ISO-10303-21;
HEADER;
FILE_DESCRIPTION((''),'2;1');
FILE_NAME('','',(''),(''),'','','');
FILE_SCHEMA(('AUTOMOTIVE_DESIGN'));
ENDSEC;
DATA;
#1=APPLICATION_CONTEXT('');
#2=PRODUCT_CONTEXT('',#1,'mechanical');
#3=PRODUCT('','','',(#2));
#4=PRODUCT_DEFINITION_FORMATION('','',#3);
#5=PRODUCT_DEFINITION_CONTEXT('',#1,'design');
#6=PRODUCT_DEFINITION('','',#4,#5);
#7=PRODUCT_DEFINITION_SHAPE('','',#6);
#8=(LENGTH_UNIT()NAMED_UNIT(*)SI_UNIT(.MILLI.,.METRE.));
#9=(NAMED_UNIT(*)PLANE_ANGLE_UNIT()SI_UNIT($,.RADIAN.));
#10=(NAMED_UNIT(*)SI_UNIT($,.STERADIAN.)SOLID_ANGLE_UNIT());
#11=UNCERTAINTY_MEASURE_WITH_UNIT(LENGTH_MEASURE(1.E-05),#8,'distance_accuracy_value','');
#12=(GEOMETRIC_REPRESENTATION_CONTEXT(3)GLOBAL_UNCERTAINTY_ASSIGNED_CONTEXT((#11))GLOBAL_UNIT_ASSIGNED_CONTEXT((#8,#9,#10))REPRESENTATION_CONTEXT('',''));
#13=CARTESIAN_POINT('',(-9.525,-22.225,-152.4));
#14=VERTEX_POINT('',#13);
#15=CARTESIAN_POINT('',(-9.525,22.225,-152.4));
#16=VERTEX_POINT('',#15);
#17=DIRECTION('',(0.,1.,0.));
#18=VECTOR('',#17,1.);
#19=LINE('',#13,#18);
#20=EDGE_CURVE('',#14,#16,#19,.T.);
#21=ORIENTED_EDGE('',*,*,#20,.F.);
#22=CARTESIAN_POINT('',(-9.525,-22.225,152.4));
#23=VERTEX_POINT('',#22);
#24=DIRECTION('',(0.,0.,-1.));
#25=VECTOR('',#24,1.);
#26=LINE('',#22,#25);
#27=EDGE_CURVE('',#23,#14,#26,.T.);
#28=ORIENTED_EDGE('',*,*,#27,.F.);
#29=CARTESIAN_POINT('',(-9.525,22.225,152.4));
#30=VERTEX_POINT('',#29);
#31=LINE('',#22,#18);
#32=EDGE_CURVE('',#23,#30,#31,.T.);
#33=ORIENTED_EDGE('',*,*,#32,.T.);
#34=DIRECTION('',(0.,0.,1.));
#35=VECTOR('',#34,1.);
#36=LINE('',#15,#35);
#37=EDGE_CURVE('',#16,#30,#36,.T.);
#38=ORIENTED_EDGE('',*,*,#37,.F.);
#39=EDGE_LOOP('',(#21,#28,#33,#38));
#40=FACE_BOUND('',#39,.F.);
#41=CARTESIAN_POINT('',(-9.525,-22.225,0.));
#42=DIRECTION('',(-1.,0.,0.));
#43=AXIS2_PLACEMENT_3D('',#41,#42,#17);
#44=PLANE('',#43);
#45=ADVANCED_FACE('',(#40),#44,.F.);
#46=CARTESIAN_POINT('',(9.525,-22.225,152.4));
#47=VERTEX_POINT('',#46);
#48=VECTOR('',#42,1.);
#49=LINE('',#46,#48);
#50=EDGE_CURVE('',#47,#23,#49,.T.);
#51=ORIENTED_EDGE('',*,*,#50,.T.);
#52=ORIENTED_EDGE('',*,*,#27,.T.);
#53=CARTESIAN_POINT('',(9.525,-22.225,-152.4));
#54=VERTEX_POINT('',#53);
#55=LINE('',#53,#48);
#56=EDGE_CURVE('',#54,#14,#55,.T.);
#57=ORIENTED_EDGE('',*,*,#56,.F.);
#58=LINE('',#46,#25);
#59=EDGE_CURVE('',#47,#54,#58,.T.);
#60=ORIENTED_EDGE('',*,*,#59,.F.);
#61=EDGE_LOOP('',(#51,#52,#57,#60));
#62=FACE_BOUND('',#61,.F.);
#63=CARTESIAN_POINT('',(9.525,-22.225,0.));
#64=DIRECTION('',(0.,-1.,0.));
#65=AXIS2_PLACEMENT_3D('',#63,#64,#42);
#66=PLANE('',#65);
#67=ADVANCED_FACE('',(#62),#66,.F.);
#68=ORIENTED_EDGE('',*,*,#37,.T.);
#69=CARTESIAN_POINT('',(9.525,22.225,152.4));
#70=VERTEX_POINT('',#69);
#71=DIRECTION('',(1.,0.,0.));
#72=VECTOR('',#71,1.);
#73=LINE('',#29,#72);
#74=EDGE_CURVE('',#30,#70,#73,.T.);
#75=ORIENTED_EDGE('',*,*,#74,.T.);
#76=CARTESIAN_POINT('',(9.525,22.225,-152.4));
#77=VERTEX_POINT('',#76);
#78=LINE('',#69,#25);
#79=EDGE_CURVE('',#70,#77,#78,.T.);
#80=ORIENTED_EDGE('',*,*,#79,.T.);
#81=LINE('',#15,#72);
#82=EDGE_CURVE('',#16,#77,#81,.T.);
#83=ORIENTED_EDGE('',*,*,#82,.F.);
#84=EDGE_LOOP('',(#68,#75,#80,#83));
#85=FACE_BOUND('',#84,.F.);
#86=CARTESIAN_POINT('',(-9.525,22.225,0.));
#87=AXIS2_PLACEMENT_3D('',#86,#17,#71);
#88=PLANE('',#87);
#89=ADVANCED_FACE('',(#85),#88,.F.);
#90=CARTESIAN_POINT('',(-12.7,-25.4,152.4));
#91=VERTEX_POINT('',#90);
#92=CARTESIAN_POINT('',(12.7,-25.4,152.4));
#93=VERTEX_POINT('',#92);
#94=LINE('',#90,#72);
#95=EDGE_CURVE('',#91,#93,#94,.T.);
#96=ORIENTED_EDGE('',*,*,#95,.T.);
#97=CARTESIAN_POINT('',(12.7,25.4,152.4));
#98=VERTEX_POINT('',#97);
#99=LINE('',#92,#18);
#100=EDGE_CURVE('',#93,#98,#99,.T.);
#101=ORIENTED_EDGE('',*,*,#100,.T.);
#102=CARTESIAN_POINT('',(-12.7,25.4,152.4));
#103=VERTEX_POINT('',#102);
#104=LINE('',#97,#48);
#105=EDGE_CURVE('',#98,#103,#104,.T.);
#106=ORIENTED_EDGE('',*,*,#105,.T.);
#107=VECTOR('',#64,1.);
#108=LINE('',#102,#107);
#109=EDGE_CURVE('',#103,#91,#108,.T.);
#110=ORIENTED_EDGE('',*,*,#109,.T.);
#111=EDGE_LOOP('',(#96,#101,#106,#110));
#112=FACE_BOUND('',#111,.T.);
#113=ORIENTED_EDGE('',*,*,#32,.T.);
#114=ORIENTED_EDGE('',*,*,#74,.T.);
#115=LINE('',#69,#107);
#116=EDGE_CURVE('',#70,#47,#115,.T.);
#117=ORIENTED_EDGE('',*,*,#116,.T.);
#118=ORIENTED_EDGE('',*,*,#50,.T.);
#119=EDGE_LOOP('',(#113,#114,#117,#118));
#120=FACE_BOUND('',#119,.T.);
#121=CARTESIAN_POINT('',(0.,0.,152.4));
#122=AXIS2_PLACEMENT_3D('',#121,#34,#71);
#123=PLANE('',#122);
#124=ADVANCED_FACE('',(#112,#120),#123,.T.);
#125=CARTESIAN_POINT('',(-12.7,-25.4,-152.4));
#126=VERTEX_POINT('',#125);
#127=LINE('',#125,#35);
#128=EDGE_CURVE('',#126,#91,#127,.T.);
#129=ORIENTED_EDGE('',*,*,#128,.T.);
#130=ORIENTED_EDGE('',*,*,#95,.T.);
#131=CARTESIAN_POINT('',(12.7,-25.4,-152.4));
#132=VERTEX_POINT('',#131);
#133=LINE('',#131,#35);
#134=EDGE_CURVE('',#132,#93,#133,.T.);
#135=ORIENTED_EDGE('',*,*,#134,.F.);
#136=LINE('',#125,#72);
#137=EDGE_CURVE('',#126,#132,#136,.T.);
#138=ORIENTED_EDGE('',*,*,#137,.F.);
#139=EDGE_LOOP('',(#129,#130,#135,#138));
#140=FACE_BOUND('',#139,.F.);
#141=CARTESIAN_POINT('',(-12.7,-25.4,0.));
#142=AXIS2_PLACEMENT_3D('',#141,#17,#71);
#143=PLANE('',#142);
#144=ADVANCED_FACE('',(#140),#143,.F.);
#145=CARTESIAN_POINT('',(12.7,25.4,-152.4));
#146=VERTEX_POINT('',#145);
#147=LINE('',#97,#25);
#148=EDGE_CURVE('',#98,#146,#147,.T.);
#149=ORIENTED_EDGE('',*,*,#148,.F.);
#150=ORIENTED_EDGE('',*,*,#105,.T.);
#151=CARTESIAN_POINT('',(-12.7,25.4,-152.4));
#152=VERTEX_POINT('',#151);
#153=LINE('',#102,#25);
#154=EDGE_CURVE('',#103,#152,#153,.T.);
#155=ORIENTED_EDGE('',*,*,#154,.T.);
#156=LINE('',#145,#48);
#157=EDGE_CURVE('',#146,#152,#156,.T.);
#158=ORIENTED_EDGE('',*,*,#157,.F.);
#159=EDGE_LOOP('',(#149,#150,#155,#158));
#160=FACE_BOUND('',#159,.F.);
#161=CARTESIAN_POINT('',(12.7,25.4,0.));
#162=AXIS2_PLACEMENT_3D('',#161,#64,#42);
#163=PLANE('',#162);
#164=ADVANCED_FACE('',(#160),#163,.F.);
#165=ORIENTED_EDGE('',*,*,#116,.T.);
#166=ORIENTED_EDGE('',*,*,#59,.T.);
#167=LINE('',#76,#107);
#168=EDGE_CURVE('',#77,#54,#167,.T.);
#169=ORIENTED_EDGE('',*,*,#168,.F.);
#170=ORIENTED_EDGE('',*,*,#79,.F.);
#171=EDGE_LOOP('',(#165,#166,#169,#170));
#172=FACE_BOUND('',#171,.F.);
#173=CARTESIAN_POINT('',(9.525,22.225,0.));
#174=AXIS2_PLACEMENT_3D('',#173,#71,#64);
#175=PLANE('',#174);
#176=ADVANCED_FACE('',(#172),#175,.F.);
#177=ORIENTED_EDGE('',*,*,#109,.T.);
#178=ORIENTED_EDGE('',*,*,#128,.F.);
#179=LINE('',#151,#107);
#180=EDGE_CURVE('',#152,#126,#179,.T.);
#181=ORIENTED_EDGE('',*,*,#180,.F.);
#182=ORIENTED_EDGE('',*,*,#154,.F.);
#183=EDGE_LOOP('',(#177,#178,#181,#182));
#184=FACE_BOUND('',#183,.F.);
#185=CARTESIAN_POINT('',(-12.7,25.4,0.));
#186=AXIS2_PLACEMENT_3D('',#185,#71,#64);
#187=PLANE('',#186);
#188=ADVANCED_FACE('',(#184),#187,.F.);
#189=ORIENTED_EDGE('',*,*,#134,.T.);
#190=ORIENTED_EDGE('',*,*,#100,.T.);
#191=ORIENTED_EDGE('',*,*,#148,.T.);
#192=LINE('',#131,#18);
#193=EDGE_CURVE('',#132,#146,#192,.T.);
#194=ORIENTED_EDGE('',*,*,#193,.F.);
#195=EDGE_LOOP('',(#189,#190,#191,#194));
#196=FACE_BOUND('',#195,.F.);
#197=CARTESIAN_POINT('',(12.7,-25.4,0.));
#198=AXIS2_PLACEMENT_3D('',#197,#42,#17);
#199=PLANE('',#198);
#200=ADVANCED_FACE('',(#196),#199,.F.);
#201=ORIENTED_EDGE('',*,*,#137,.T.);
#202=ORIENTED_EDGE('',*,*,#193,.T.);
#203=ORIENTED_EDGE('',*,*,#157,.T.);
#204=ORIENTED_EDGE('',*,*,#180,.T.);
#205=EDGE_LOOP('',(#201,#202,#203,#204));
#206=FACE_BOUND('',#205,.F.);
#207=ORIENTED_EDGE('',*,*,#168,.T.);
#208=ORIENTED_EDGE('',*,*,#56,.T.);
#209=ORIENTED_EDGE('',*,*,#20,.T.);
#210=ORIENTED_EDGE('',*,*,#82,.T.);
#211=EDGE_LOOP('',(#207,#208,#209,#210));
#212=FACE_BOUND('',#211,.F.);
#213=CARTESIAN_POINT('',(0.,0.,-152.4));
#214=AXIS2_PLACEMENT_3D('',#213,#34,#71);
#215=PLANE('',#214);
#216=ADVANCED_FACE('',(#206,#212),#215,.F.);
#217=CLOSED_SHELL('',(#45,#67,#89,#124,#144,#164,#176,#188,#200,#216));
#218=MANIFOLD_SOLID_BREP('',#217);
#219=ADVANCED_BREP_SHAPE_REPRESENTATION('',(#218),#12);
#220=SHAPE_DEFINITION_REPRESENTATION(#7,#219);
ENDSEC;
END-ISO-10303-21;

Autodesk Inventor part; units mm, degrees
ref_plane "YZ Plane" through (0, 0, 0) normal (1, 0, 0) x (0, 1, 0)
ref_plane "XZ Plane" through (0, 0, 0) normal (0, 1, 0) x (-1, 0, 0)
ref_plane "XY Plane" through (0, 0, 0) normal (0, 0, 1) x (1, 0, 0)
sketch "Sketch1" plane through (0, 0, 0) normal (0, 0, 1) x (1, 0, 0)
  line L0 (-12.7, -25.4) -> (12.7, -25.4)
  line L1 (12.7, -25.4) -> (12.7, 25.4)
  line L2 (12.7, 25.4) -> (-12.7, 25.4)
  line L3 (-12.7, 25.4) -> (-12.7, -25.4)
  line L4 (-12.7, -25.4) -> (12.7, 25.4) construction
  line L5 (12.7, -25.4) -> (-12.7, 25.4) construction
  line L6 (-9.525, 22.225) -> (9.525, 22.225)
  line L7 (9.525, 22.225) -> (9.525, -22.225)
  line L8 (9.525, -22.225) -> (-9.525, -22.225)
  line L9 (-9.525, -22.225) -> (-9.525, 22.225)
  point P0 (0, 0)
  dimension "width" = 25.4
  dimension "height" = 50.8
  dimension "thickness" = 3.175
extrude "Extrusion1" add sketch "Sketch1" along normal mid plane 304.8
properties part number "EL1-001" material "Aluminum 6061"
